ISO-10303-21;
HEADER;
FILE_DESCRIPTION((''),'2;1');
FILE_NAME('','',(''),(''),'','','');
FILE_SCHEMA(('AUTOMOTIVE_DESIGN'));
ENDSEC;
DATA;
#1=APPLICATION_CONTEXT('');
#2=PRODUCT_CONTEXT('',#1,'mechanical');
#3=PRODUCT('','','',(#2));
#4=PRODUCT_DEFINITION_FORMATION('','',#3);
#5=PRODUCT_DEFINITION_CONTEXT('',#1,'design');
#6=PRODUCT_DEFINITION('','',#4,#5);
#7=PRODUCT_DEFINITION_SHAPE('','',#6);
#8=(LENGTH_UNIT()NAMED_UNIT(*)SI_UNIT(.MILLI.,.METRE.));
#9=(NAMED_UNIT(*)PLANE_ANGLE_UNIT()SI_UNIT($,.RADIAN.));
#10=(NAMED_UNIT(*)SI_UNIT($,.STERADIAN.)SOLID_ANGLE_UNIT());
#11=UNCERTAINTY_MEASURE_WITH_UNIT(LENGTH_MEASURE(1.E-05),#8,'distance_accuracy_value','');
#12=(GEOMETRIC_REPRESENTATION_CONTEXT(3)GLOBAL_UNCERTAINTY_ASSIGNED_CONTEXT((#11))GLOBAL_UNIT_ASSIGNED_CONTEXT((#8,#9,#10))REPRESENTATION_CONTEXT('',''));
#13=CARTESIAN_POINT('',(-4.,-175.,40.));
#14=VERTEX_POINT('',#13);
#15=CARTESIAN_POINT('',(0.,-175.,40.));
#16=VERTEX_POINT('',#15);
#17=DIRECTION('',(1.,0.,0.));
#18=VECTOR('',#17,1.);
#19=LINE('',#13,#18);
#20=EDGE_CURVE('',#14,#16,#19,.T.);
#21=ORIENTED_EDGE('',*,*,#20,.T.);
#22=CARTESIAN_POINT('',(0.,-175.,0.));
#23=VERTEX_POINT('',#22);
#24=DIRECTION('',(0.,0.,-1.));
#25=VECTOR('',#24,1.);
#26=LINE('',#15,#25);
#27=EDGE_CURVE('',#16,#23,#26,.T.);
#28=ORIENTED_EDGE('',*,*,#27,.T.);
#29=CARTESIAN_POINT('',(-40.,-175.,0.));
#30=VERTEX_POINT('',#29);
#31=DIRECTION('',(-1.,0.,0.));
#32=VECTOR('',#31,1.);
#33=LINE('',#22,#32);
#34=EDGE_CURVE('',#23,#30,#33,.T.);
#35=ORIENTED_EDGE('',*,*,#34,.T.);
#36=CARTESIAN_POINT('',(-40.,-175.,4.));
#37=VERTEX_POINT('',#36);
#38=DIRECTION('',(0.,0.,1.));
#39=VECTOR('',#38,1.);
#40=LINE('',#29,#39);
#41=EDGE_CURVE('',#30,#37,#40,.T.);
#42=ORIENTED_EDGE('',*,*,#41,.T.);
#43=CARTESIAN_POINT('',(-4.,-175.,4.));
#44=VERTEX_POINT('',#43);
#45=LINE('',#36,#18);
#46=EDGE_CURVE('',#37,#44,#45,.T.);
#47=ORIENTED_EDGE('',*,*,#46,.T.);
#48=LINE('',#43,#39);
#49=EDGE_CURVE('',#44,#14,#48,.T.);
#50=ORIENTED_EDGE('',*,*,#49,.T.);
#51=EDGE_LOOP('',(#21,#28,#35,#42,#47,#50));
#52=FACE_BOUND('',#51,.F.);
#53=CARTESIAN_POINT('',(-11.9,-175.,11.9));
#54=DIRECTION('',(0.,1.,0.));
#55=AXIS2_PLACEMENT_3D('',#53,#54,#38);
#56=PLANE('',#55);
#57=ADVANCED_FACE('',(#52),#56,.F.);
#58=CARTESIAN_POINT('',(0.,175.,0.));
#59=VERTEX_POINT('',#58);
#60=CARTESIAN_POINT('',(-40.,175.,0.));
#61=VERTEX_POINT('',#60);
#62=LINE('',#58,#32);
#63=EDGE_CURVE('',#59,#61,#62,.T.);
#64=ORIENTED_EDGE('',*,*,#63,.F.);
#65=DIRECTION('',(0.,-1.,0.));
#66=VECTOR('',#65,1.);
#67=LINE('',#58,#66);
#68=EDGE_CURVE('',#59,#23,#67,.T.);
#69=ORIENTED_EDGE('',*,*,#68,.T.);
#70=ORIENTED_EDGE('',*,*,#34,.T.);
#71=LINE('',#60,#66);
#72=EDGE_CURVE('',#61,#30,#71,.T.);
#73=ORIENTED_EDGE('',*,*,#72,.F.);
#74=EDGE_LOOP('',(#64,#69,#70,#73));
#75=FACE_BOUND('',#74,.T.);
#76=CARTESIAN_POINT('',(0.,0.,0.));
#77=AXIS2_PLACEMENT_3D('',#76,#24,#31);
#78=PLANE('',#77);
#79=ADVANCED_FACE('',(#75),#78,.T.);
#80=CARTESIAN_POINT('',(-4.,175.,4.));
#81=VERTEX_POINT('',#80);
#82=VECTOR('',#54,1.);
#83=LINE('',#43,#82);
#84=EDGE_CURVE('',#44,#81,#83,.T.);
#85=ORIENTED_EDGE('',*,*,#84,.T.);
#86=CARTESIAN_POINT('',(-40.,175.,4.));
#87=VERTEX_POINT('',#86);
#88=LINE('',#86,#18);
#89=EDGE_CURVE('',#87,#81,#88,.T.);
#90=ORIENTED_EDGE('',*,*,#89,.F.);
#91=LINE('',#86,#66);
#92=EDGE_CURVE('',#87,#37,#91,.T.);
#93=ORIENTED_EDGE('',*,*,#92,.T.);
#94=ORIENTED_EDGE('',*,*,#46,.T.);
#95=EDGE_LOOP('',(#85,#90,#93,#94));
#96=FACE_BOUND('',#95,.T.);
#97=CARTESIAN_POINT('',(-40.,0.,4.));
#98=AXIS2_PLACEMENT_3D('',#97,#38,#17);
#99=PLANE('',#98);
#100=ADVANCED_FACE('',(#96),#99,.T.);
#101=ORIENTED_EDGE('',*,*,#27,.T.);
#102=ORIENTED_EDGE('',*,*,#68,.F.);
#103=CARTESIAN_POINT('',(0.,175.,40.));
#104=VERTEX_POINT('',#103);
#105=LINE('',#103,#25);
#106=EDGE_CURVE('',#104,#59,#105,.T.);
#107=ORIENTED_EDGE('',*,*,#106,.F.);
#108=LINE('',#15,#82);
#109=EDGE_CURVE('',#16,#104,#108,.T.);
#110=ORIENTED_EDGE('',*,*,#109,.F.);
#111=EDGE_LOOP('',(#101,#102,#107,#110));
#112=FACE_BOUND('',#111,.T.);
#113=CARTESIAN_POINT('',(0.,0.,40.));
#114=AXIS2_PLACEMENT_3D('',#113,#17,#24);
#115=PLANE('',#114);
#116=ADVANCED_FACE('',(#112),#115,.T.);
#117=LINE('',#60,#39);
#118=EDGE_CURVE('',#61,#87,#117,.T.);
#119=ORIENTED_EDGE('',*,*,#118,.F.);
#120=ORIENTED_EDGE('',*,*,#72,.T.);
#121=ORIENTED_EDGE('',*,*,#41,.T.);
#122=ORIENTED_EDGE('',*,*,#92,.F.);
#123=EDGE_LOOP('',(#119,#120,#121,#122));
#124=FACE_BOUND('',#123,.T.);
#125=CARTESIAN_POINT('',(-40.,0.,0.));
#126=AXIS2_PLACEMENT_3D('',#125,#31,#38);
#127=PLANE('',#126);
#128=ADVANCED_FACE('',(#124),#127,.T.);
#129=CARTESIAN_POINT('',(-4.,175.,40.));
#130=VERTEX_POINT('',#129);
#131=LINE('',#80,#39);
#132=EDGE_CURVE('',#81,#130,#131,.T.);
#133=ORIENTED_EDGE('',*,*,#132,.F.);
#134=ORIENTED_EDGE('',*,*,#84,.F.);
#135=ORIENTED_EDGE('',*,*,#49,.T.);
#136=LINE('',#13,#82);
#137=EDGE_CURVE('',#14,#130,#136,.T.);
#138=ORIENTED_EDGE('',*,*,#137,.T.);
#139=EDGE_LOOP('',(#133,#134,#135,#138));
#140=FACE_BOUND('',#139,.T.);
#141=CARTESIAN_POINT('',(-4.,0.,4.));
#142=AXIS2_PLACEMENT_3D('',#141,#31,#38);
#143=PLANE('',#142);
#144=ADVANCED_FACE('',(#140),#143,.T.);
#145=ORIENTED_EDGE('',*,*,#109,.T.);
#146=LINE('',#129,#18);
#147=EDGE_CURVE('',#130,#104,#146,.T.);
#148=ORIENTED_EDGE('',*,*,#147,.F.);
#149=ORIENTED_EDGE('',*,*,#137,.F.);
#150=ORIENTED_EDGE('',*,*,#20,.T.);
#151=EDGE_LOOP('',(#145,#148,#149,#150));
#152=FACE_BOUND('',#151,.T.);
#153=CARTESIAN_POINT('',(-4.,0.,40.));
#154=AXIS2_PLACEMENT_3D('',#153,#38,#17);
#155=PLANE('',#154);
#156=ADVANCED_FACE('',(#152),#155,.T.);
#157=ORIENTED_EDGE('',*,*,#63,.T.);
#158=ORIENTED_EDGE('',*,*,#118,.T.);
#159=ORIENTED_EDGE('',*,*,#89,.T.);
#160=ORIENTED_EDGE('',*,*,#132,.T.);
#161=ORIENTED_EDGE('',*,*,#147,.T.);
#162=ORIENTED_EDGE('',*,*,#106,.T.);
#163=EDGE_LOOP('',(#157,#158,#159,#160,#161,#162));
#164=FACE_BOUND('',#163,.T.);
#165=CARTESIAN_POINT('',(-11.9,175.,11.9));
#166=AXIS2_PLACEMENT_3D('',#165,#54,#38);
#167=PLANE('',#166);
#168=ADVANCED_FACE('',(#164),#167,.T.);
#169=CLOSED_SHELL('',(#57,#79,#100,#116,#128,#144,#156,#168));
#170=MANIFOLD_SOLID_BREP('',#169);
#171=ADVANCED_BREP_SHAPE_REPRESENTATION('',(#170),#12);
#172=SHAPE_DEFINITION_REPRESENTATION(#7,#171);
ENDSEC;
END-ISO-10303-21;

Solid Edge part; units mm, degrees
sketch "Sketch1" plane through (-9.04, 0, 33.0648) normal (0, -1, 0) x (1, 0, 0)
  line L0 (-30.96, -29.0648) -> (5.04, -29.0648)
  line L1 (5.04, -29.0648) -> (5.04, 6.9352)
  line L2 (5.04, 6.9352) -> (9.04, 6.9352)
  line L3 (9.04, 6.9352) -> (9.04, -33.0648)
  line L4 (9.04, -33.0648) -> (-30.96, -33.0648)
  line L5 (-30.96, -33.0648) -> (-30.96, -29.0648)
extrude "Protrusion1" add sketch "Sketch1" along normal mid plane 350
